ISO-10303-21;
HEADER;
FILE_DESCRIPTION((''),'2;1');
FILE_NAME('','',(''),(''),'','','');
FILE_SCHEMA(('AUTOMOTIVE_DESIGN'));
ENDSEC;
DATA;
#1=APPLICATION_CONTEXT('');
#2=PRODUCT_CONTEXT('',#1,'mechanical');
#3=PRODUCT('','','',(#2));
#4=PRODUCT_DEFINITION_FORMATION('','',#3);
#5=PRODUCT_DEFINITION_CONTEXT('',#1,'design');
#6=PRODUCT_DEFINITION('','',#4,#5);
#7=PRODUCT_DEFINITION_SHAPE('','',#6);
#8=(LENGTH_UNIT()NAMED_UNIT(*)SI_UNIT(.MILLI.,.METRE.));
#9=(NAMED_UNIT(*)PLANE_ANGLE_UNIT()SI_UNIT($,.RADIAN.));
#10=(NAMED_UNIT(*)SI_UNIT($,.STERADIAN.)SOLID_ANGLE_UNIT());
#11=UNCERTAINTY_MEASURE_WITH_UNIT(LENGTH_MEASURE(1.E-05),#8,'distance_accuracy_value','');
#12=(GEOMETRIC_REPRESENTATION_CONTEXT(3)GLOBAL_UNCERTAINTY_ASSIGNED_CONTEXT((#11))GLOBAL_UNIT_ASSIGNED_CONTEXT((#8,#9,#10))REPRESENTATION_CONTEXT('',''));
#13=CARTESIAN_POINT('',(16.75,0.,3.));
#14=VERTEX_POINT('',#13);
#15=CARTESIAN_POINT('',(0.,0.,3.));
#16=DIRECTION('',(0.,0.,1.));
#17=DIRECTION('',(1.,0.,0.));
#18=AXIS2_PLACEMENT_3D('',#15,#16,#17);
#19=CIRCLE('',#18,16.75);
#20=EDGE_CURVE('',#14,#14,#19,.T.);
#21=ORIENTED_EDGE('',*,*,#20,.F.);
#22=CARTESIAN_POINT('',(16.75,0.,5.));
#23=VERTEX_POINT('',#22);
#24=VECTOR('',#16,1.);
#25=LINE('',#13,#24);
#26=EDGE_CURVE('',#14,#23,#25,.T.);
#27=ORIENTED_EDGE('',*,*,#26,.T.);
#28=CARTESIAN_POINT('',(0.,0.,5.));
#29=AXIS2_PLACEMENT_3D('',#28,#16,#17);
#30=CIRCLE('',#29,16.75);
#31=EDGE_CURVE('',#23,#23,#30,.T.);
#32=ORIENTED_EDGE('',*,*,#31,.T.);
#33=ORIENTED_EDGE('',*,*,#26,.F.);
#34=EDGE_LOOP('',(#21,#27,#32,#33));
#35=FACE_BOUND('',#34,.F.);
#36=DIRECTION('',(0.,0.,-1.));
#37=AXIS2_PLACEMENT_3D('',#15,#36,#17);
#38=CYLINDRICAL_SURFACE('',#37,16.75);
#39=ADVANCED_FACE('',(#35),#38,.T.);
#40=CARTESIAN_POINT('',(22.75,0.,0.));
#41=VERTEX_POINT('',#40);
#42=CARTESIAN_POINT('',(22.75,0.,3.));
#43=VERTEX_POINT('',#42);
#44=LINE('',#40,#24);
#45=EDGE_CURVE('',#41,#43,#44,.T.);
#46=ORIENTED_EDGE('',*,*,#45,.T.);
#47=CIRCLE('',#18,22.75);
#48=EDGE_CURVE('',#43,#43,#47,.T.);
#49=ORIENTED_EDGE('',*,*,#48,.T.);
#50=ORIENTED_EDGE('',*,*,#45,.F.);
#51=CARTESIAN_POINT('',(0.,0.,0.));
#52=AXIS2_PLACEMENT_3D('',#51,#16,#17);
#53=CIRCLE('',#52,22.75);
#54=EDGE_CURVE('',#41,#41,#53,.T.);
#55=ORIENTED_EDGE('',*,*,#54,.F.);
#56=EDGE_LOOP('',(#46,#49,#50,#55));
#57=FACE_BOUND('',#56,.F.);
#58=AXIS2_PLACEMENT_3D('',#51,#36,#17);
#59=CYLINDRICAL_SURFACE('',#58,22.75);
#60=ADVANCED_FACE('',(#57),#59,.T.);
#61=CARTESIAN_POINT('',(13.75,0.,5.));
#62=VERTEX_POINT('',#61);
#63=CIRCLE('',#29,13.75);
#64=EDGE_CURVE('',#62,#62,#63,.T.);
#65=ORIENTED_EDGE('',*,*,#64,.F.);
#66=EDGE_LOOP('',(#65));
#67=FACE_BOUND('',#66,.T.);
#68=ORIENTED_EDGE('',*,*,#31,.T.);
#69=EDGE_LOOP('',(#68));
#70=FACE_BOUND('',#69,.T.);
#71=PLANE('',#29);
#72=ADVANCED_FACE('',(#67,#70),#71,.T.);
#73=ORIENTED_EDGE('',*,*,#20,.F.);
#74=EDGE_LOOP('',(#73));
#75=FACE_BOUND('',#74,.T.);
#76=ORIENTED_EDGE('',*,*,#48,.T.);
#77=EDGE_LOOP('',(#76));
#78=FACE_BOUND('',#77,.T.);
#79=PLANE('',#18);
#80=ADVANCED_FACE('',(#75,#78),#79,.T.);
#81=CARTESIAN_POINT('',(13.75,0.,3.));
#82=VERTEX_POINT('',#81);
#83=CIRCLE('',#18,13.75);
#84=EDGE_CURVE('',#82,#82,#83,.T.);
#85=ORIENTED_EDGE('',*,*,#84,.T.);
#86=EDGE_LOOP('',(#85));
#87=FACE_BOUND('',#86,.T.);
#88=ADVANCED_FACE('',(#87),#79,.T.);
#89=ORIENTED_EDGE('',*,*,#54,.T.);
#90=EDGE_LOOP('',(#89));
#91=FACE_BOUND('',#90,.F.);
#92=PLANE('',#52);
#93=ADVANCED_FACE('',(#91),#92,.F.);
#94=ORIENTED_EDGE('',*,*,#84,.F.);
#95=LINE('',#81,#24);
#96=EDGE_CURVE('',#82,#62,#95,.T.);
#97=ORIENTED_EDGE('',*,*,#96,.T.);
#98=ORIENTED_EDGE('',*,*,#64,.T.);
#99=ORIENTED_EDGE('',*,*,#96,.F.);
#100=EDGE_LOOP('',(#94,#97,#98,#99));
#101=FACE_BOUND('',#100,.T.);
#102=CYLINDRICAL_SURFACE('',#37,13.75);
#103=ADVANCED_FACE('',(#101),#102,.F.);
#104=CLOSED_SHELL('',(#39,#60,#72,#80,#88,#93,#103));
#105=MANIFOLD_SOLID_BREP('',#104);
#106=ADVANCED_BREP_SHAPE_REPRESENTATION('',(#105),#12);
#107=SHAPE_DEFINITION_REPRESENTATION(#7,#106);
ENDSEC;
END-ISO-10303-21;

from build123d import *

# Parameters (mm, degrees)
SKETCH_R      = 22.75
PAD_DEPTH     = 3
SKETCH001_R   = 16.75
SKETCH001_R_2 = 13.75
PAD001_DEPTH  = 2


with BuildPart() as part:
    # Sketch → Pad (new body)
    with BuildSketch(Plane.XY):
        Circle(SKETCH_R)
    extrude(amount=PAD_DEPTH)

    # Sketch001 (on DatumPlane) → Pad001 (join)
    with BuildSketch(Plane.XY.offset(3)):
        Circle(SKETCH001_R)
        Circle(SKETCH001_R_2, mode=Mode.SUBTRACT)
    extrude(amount=PAD001_DEPTH)


solid = part.part
